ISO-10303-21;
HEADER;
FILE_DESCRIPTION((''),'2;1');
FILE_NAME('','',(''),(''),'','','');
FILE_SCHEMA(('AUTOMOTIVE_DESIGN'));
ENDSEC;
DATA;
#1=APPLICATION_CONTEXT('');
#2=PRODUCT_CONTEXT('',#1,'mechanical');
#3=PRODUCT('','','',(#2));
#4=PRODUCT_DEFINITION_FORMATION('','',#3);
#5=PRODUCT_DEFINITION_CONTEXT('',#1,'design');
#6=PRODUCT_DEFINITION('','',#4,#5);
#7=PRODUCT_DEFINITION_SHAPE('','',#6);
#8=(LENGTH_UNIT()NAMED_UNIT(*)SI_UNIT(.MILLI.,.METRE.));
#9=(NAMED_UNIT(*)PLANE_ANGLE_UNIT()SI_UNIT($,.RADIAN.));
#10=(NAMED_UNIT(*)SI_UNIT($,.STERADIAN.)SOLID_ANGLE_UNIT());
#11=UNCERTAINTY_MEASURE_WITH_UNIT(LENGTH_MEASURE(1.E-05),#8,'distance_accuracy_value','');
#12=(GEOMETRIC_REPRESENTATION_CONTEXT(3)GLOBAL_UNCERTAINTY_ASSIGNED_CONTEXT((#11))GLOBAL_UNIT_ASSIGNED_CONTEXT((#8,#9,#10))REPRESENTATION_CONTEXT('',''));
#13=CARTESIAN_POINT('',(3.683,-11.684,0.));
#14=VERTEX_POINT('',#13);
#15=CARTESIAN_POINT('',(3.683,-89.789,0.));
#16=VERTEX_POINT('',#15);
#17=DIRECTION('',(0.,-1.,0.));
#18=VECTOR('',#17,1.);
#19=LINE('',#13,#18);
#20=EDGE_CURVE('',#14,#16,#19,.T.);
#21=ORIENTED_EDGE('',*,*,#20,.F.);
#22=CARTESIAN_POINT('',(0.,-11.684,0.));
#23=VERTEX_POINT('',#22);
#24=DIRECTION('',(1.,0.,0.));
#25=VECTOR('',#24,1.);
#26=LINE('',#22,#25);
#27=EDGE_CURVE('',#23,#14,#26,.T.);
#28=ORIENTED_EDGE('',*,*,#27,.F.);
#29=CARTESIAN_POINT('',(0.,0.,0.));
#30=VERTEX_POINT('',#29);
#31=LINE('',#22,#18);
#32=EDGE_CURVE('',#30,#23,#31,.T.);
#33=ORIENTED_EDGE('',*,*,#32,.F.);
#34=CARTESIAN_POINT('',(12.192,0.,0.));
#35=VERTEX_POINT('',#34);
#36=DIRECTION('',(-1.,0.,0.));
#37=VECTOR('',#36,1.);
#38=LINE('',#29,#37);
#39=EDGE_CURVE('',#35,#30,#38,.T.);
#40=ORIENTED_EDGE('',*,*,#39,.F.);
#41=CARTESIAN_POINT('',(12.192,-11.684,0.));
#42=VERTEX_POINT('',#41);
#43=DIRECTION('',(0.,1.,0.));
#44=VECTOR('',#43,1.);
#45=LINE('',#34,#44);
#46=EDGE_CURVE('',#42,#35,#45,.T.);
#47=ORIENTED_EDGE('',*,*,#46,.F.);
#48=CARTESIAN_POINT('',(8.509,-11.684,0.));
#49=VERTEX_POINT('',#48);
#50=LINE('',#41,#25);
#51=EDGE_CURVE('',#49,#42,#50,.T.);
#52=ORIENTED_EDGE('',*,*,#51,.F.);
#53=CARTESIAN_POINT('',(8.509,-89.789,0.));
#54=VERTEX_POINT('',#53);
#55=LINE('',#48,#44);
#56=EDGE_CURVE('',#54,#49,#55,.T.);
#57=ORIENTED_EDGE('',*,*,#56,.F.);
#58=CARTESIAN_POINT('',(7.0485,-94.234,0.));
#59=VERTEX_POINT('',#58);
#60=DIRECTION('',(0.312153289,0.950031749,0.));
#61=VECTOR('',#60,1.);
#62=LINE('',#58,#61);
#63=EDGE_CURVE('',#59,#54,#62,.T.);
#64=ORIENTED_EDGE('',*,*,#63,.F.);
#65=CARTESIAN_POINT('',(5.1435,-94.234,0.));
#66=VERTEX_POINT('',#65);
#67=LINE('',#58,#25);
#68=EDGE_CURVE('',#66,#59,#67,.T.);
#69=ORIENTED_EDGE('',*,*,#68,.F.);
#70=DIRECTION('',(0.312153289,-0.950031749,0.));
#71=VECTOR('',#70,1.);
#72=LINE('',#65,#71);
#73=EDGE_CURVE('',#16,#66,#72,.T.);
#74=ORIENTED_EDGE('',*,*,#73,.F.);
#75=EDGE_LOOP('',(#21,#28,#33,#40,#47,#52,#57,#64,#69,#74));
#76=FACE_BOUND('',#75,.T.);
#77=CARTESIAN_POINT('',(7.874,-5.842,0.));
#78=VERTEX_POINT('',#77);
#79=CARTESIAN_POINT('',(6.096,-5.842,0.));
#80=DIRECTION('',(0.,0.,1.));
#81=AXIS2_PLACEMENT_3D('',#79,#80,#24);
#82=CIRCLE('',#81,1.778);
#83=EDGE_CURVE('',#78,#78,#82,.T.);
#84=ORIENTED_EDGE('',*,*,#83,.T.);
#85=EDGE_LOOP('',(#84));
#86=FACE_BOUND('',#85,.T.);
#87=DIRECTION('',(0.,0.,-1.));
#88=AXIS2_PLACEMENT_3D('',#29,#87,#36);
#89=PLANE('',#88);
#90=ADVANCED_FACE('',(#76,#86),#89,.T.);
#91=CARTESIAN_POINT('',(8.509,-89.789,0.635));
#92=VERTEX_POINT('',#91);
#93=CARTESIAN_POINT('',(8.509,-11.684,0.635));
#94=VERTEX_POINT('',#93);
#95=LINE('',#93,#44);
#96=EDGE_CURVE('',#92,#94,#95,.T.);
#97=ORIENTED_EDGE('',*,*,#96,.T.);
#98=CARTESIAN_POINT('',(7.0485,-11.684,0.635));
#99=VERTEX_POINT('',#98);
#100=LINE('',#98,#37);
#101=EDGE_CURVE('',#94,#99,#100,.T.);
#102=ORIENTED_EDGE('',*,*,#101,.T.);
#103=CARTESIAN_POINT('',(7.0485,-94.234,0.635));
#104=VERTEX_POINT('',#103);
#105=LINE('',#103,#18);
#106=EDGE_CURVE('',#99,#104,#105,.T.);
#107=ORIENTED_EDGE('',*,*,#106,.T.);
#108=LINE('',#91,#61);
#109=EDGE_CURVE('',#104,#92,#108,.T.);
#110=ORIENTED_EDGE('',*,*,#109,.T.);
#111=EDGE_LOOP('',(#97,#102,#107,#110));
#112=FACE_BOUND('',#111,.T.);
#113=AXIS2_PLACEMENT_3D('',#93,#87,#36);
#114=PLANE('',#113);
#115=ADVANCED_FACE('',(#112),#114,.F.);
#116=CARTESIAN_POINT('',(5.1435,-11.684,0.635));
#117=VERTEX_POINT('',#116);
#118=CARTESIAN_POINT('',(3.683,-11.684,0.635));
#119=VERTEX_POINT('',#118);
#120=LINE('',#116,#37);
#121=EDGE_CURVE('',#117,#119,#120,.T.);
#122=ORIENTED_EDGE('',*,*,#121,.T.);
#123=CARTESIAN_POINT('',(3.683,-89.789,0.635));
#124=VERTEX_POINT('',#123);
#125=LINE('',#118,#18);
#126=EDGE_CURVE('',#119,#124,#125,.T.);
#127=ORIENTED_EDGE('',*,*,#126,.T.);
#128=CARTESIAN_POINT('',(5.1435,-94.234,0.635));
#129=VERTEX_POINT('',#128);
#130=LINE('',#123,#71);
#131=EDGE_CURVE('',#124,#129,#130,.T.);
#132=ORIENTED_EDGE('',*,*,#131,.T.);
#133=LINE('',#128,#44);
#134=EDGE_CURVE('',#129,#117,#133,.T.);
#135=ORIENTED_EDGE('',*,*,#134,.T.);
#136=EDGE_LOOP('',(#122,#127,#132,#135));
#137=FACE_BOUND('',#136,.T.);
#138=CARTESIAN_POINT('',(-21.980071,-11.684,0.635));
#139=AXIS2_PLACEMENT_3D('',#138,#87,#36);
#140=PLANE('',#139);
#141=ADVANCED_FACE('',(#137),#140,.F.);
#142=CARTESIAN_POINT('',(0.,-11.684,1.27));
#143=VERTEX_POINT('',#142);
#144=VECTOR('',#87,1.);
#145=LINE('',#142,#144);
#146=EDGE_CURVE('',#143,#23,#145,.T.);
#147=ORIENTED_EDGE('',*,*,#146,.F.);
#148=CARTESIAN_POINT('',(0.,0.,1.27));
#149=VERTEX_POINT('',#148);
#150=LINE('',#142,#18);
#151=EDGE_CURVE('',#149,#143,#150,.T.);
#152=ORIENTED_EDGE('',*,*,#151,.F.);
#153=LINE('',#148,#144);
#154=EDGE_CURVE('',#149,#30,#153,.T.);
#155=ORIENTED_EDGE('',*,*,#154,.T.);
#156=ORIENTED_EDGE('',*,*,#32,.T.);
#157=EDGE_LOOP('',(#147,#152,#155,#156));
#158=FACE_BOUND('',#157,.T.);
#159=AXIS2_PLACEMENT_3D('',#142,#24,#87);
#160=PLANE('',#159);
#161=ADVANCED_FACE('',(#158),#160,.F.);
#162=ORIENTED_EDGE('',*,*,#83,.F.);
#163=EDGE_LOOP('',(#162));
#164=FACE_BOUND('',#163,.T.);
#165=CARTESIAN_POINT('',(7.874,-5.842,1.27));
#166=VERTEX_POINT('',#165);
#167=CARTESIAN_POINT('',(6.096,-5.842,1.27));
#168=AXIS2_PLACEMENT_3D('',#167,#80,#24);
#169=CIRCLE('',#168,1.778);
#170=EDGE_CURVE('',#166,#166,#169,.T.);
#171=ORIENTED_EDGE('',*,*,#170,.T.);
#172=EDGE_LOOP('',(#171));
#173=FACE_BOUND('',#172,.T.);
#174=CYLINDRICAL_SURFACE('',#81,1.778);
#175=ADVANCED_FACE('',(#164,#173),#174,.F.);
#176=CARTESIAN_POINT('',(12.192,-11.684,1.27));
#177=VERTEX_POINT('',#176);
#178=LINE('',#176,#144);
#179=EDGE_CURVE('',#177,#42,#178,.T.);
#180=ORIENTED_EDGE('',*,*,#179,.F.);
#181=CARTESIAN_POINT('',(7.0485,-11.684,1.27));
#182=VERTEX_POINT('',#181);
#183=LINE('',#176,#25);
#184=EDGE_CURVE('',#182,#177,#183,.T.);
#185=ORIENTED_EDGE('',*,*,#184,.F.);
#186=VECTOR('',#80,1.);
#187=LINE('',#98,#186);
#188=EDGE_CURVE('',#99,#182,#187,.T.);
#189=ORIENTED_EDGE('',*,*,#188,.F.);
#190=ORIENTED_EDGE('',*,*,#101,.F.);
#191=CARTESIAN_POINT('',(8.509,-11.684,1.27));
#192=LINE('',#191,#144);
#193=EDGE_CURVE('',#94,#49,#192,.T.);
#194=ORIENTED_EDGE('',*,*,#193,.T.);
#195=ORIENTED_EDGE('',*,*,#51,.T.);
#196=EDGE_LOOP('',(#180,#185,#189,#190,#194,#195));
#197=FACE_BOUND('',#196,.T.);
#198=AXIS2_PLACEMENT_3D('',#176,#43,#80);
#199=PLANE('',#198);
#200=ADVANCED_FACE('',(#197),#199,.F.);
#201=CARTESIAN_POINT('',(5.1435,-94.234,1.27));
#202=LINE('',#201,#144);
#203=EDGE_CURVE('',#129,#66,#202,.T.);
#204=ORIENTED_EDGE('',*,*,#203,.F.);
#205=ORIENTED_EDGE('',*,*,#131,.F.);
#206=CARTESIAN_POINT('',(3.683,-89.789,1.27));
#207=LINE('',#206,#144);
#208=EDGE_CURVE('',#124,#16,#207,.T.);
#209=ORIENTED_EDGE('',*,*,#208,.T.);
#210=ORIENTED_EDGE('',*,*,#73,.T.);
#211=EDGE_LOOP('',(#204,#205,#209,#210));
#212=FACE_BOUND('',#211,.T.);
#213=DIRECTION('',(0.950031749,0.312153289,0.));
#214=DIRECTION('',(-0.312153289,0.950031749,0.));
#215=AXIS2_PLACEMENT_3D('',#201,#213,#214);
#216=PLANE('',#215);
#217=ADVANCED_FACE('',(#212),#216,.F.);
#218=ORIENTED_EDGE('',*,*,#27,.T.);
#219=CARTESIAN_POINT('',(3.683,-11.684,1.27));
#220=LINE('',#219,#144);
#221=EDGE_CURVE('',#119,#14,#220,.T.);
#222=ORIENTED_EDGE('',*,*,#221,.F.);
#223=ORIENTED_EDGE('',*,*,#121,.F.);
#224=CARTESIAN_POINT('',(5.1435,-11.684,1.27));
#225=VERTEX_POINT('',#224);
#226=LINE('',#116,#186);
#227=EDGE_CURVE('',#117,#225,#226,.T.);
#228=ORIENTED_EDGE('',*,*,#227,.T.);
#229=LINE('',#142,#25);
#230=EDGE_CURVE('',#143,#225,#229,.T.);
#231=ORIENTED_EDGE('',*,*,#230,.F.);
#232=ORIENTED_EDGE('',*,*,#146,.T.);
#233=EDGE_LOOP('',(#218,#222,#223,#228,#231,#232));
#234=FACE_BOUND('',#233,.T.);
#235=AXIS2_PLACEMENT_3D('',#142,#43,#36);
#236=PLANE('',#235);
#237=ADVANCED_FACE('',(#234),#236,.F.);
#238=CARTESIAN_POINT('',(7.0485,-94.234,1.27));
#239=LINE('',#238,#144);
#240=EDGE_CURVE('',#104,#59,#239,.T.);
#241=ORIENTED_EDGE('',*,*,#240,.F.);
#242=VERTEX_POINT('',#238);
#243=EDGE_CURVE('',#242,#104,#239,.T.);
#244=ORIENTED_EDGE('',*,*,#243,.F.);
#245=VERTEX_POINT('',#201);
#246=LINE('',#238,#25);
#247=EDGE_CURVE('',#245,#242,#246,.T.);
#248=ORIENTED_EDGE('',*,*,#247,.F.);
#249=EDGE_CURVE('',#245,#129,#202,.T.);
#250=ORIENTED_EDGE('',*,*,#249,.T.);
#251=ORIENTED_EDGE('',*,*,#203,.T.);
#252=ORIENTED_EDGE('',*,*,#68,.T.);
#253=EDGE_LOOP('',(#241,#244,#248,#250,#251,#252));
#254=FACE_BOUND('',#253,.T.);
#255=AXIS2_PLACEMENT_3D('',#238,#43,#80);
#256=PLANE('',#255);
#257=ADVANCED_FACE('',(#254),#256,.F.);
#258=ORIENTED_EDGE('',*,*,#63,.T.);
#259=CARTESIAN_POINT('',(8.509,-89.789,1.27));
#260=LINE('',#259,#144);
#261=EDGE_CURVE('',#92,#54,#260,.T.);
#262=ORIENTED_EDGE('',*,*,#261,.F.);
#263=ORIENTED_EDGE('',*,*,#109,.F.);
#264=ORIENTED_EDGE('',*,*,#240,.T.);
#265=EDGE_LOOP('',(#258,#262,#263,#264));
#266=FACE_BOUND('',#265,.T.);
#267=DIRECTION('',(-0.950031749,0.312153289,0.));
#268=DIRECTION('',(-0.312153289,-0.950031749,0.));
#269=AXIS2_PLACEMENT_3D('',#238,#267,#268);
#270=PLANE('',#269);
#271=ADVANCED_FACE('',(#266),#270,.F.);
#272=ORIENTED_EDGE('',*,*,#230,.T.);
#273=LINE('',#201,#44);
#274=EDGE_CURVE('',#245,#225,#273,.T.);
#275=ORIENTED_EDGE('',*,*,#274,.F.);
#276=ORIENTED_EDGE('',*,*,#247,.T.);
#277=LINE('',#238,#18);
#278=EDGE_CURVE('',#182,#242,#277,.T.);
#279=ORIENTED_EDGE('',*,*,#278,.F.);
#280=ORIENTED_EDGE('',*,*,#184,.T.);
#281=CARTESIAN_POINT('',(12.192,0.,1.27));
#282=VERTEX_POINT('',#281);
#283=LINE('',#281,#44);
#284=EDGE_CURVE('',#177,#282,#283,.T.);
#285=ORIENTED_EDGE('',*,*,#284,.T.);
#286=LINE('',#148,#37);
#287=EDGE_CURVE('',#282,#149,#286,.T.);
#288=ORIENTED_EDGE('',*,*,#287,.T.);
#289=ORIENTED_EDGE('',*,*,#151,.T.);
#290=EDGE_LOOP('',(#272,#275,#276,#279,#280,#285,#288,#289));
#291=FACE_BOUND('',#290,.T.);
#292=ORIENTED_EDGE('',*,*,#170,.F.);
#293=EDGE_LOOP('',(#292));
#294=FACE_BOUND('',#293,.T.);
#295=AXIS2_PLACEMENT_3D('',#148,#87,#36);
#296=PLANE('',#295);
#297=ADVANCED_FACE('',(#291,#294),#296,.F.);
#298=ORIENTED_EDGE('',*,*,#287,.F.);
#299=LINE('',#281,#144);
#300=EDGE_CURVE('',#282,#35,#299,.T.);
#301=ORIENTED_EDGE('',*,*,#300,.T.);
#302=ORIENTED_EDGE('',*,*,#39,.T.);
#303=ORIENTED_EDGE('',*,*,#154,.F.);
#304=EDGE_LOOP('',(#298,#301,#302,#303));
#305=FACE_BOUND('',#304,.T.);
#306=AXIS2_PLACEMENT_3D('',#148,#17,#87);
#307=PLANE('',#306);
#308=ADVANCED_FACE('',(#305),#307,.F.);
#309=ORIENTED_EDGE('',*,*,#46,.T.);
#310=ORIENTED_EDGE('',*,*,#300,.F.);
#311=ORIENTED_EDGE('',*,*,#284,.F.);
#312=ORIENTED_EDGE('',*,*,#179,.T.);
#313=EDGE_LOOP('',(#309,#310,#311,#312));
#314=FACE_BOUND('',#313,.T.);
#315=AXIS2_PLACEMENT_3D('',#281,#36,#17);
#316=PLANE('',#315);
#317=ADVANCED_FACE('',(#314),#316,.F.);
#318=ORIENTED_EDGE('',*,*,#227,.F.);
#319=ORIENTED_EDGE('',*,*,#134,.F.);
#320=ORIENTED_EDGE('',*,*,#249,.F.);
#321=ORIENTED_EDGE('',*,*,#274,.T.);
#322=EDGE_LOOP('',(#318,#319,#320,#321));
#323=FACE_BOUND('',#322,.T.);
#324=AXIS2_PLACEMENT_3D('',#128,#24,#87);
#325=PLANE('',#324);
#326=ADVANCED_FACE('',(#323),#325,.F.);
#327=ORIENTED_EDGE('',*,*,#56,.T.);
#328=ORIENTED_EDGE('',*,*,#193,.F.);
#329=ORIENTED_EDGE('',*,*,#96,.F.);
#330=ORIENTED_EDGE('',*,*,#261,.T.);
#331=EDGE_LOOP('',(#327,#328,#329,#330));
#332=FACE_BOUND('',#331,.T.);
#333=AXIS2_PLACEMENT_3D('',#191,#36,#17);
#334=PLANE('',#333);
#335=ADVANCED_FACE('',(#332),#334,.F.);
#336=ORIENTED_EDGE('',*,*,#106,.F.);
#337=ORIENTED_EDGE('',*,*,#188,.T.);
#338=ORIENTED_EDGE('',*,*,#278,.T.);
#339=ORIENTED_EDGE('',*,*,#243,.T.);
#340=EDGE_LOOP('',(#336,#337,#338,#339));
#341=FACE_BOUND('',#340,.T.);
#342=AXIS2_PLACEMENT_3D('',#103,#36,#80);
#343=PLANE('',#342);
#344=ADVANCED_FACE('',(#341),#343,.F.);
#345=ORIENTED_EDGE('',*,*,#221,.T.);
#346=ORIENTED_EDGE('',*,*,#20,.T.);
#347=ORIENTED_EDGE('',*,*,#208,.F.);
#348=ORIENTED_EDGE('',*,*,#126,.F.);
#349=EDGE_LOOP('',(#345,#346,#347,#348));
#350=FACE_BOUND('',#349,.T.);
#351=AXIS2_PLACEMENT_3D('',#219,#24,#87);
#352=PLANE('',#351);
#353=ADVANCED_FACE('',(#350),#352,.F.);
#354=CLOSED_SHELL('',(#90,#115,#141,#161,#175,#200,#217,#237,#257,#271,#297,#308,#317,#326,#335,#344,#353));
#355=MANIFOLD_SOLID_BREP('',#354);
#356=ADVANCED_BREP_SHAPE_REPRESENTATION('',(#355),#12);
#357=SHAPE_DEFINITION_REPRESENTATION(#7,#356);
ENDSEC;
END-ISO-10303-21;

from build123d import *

# Parameters (mm, degrees)
BOSS_EXTRUDE1_DEPTH = 1.27
CUT_EXTRUDE1_DEPTH  = 0.635
SKETCH3_R           = 1.778
CUT_EXTRUDE2_DEPTH  = 96.027914425


with BuildPart() as part:
    # Sketch1 → Boss-Extrude1 (new body)
    with BuildSketch(Plane.XY):
        Polygon((0, 0), (12.192, 0), (12.192, -11.684), (8.509, -11.684), (8.509, -89.789), (7.0485, -94.234), (5.1435, -94.234), (3.683, -89.789), (3.683, -11.684), (0, -11.684), align=None)
    extrude(amount=BOSS_EXTRUDE1_DEPTH)

    # Sketch2 → Cut-Extrude1 (cut)
    with BuildSketch(Plane.XY.offset(1.27)):
        Polygon((5.1435, -94.234), (5.1435, -11.684), (3.683, -11.684), (3.683, -89.789), align=None)
        Polygon((8.509, -11.684), (8.509, -89.789), (7.0485, -94.234), (7.0485, -11.684), align=None)
    extrude(amount=-CUT_EXTRUDE1_DEPTH, mode=Mode.SUBTRACT)

    # Sketch3 → Cut-Extrude2 (cut, through all)
    with BuildSketch(Plane.XY.offset(1.27)):
        with Locations((6.096, -5.842)):
            Circle(SKETCH3_R)
    extrude(amount=-CUT_EXTRUDE2_DEPTH, mode=Mode.SUBTRACT)


solid = part.part
